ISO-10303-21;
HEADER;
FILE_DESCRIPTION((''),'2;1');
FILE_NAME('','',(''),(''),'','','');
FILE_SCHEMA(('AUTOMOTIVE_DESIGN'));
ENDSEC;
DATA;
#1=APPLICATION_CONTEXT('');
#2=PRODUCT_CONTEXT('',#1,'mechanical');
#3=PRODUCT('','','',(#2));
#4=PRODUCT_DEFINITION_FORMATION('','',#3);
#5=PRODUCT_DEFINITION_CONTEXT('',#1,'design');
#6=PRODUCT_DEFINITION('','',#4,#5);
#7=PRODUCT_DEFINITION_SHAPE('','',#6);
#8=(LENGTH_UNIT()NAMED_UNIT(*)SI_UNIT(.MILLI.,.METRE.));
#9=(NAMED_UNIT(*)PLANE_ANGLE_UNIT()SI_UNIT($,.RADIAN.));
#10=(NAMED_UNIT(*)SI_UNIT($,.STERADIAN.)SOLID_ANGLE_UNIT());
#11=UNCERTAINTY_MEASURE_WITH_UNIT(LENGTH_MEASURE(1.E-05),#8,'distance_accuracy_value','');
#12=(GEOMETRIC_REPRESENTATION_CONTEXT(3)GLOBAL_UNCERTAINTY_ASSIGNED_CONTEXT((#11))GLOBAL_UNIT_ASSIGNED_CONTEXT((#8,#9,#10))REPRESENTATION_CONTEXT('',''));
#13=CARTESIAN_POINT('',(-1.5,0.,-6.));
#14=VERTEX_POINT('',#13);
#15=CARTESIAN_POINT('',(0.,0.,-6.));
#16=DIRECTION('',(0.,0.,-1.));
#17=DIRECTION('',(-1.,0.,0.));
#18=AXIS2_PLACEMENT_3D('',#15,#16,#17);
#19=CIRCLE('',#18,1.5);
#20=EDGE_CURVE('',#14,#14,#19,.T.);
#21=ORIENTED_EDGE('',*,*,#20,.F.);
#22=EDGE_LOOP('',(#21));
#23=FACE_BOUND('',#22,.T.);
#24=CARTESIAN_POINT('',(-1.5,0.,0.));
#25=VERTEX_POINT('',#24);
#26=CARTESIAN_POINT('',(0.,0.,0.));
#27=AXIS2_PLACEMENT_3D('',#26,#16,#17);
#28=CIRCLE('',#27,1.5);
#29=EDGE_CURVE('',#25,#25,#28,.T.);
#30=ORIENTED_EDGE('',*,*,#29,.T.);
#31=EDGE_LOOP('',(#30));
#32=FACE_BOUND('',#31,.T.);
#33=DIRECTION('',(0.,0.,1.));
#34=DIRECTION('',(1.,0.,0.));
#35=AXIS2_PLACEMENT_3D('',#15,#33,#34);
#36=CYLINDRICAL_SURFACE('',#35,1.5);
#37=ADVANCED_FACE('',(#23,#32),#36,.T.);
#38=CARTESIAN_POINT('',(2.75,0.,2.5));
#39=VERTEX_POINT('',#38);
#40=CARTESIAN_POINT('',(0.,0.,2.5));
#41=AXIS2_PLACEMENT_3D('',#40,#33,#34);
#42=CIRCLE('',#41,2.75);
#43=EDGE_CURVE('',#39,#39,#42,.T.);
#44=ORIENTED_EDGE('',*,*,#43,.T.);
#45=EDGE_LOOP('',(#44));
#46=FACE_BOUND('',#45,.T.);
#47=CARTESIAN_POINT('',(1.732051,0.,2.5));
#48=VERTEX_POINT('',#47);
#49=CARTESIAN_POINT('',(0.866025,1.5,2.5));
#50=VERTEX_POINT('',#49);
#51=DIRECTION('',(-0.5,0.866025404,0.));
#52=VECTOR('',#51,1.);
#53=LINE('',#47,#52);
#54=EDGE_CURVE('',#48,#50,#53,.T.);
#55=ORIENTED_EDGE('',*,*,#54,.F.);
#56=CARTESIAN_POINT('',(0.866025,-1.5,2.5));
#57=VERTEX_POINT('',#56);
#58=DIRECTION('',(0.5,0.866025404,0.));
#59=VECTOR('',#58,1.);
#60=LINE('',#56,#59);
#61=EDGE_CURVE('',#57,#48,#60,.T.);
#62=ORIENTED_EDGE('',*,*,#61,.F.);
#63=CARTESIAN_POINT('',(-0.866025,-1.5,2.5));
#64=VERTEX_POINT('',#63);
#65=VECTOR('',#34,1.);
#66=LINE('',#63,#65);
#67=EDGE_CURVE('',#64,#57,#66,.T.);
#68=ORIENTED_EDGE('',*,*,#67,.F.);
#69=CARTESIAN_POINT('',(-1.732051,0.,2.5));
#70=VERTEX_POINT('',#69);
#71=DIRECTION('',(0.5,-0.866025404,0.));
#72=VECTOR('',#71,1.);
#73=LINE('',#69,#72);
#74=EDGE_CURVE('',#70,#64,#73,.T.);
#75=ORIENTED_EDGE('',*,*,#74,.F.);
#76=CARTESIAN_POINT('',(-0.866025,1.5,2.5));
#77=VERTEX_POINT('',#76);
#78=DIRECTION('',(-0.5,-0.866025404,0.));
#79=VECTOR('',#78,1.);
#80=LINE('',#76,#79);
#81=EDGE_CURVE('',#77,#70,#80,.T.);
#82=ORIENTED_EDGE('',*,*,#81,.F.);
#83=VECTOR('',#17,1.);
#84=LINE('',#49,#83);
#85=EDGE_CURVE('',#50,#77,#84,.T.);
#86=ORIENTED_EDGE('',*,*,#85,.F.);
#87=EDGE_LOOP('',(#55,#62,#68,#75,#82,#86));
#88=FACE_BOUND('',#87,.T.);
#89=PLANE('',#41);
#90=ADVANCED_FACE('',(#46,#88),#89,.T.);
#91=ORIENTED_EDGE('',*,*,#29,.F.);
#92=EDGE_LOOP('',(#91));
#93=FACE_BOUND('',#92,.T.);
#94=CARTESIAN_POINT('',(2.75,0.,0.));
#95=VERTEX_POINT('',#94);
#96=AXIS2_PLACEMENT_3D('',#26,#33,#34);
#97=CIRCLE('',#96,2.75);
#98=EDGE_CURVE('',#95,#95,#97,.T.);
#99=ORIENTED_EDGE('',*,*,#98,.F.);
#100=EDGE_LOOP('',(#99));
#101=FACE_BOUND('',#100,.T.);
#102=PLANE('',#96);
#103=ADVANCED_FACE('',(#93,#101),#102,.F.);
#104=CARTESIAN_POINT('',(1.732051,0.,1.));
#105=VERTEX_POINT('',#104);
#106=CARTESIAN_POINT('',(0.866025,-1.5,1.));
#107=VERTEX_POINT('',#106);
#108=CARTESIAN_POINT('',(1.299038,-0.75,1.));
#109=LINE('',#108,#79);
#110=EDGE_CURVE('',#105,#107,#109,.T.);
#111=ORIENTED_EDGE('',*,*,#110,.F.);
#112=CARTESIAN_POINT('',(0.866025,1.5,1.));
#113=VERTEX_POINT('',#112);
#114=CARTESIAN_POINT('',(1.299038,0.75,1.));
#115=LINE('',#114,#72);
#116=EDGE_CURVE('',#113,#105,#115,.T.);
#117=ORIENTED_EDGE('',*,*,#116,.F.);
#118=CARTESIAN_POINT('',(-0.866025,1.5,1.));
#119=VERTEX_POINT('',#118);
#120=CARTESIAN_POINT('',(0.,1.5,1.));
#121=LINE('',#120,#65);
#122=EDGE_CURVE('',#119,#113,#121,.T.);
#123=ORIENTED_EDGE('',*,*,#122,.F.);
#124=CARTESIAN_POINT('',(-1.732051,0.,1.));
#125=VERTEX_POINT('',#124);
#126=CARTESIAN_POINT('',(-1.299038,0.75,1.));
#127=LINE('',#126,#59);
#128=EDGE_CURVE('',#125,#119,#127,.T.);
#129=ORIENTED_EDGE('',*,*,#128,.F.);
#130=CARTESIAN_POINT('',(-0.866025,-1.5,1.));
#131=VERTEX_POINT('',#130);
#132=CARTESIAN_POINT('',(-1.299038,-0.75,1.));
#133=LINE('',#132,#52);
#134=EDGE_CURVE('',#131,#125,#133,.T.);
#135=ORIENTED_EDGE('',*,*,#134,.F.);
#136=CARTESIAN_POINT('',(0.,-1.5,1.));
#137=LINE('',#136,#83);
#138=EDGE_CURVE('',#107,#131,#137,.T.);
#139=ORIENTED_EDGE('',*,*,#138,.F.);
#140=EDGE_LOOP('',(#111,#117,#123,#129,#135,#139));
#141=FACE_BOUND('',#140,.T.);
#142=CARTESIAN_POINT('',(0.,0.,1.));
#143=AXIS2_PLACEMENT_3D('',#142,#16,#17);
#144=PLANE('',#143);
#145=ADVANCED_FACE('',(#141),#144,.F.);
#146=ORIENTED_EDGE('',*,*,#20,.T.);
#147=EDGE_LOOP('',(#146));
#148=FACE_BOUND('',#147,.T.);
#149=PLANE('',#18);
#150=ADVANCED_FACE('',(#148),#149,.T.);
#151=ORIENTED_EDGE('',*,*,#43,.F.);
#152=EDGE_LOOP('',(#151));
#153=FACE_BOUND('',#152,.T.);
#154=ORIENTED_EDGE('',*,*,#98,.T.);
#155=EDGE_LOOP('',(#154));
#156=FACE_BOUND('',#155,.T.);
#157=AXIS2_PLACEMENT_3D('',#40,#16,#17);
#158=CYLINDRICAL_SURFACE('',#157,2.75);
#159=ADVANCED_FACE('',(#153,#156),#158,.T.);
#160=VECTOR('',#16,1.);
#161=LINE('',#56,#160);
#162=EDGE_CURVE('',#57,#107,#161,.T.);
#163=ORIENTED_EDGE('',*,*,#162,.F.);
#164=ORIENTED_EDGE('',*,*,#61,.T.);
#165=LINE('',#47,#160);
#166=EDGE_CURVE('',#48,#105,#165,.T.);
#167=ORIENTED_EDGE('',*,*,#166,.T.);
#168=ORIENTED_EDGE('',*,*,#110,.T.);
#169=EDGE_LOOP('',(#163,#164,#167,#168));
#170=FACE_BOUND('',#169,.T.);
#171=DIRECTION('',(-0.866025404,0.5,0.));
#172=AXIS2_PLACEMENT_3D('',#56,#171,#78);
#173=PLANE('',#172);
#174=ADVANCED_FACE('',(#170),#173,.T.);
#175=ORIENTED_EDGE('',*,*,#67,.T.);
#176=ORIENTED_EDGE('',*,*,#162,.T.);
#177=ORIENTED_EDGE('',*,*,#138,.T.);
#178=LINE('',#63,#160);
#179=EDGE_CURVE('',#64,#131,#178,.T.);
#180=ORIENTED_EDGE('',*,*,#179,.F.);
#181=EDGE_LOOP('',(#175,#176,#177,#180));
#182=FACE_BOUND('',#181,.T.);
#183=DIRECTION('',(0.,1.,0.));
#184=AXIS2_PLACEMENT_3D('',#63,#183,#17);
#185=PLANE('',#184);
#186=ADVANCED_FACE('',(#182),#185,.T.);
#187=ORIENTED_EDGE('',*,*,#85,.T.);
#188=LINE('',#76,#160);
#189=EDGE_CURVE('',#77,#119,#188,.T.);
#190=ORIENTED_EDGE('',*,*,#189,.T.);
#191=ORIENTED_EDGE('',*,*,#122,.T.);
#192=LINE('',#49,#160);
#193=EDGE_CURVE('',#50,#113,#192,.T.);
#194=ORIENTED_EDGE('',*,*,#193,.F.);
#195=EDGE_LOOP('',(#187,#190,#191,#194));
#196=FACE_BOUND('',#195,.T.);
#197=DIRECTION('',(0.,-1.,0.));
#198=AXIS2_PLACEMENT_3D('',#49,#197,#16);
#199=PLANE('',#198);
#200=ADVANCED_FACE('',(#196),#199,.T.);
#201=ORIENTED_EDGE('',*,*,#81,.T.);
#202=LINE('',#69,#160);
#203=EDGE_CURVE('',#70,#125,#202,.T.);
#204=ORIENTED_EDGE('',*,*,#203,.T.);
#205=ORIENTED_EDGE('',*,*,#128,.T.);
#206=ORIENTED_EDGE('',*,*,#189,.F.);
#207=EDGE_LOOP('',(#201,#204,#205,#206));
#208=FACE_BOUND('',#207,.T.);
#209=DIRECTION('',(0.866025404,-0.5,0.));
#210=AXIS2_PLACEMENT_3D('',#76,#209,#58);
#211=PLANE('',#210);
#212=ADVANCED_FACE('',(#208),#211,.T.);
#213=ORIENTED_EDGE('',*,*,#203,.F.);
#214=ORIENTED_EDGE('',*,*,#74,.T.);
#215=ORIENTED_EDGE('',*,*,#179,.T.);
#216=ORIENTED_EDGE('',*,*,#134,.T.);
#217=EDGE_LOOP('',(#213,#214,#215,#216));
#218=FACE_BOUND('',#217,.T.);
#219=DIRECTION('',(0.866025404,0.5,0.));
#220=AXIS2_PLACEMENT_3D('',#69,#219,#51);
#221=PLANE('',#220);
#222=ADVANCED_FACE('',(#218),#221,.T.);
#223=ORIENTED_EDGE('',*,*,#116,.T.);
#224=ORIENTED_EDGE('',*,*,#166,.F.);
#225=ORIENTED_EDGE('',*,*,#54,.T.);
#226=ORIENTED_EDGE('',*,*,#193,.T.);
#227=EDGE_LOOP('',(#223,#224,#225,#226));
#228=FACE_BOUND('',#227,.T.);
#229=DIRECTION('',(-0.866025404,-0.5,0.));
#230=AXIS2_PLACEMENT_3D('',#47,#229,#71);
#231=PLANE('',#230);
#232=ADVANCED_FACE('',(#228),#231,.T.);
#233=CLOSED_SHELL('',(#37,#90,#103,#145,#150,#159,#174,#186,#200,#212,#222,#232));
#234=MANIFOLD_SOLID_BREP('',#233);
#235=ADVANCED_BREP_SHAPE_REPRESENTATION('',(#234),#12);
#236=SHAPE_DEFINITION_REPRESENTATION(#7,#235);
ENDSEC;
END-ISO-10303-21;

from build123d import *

# Parameters (mm, degrees)
SKETCH_1_R      = 2.75
EXTRUDE_1_DEPTH = 2.5
SKETCH_2_R      = 1.5
EXTRUDE_2_DEPTH = 6
EXTRUDE_3_DEPTH = 1


with BuildPart() as part:
    # 草图1 → 凸台-拉伸1 (new body)
    with BuildSketch(Plane.XY):
        Circle(SKETCH_1_R)
        Polygon((1.732050808, 0), (0.866025404, 1.5), (-0.866025404, 1.5), (-1.732050808, 0), (-0.866025404, -1.5), (0.866025404, -1.5), align=None, mode=Mode.SUBTRACT)
    extrude(amount=EXTRUDE_1_DEPTH)



with BuildPart() as body_2:
    # 草图2 → 凸台-拉伸2 (new body)
    with BuildSketch(Plane(origin=(0, 0, 0), x_dir=(-1, 0, 0), z_dir=(0, 0, -1))):
        Circle(SKETCH_2_R)
    extrude(amount=EXTRUDE_2_DEPTH)


with BuildPart() as part_1:
    add(part.part)

    add(body_2.part)  # 凸台-拉伸3 merges body 2
    # 草图1<3> → 凸台-拉伸3 (add)
    with BuildSketch(Plane.XY):
        Polygon((-0.866025404, -1.5), (0.866025404, -1.5), (1.732050808, 0), (0.866025404, 1.5), (-0.866025404, 1.5), (-1.732050808, 0), align=None)
    extrude(amount=EXTRUDE_3_DEPTH)


solid = part_1.part
